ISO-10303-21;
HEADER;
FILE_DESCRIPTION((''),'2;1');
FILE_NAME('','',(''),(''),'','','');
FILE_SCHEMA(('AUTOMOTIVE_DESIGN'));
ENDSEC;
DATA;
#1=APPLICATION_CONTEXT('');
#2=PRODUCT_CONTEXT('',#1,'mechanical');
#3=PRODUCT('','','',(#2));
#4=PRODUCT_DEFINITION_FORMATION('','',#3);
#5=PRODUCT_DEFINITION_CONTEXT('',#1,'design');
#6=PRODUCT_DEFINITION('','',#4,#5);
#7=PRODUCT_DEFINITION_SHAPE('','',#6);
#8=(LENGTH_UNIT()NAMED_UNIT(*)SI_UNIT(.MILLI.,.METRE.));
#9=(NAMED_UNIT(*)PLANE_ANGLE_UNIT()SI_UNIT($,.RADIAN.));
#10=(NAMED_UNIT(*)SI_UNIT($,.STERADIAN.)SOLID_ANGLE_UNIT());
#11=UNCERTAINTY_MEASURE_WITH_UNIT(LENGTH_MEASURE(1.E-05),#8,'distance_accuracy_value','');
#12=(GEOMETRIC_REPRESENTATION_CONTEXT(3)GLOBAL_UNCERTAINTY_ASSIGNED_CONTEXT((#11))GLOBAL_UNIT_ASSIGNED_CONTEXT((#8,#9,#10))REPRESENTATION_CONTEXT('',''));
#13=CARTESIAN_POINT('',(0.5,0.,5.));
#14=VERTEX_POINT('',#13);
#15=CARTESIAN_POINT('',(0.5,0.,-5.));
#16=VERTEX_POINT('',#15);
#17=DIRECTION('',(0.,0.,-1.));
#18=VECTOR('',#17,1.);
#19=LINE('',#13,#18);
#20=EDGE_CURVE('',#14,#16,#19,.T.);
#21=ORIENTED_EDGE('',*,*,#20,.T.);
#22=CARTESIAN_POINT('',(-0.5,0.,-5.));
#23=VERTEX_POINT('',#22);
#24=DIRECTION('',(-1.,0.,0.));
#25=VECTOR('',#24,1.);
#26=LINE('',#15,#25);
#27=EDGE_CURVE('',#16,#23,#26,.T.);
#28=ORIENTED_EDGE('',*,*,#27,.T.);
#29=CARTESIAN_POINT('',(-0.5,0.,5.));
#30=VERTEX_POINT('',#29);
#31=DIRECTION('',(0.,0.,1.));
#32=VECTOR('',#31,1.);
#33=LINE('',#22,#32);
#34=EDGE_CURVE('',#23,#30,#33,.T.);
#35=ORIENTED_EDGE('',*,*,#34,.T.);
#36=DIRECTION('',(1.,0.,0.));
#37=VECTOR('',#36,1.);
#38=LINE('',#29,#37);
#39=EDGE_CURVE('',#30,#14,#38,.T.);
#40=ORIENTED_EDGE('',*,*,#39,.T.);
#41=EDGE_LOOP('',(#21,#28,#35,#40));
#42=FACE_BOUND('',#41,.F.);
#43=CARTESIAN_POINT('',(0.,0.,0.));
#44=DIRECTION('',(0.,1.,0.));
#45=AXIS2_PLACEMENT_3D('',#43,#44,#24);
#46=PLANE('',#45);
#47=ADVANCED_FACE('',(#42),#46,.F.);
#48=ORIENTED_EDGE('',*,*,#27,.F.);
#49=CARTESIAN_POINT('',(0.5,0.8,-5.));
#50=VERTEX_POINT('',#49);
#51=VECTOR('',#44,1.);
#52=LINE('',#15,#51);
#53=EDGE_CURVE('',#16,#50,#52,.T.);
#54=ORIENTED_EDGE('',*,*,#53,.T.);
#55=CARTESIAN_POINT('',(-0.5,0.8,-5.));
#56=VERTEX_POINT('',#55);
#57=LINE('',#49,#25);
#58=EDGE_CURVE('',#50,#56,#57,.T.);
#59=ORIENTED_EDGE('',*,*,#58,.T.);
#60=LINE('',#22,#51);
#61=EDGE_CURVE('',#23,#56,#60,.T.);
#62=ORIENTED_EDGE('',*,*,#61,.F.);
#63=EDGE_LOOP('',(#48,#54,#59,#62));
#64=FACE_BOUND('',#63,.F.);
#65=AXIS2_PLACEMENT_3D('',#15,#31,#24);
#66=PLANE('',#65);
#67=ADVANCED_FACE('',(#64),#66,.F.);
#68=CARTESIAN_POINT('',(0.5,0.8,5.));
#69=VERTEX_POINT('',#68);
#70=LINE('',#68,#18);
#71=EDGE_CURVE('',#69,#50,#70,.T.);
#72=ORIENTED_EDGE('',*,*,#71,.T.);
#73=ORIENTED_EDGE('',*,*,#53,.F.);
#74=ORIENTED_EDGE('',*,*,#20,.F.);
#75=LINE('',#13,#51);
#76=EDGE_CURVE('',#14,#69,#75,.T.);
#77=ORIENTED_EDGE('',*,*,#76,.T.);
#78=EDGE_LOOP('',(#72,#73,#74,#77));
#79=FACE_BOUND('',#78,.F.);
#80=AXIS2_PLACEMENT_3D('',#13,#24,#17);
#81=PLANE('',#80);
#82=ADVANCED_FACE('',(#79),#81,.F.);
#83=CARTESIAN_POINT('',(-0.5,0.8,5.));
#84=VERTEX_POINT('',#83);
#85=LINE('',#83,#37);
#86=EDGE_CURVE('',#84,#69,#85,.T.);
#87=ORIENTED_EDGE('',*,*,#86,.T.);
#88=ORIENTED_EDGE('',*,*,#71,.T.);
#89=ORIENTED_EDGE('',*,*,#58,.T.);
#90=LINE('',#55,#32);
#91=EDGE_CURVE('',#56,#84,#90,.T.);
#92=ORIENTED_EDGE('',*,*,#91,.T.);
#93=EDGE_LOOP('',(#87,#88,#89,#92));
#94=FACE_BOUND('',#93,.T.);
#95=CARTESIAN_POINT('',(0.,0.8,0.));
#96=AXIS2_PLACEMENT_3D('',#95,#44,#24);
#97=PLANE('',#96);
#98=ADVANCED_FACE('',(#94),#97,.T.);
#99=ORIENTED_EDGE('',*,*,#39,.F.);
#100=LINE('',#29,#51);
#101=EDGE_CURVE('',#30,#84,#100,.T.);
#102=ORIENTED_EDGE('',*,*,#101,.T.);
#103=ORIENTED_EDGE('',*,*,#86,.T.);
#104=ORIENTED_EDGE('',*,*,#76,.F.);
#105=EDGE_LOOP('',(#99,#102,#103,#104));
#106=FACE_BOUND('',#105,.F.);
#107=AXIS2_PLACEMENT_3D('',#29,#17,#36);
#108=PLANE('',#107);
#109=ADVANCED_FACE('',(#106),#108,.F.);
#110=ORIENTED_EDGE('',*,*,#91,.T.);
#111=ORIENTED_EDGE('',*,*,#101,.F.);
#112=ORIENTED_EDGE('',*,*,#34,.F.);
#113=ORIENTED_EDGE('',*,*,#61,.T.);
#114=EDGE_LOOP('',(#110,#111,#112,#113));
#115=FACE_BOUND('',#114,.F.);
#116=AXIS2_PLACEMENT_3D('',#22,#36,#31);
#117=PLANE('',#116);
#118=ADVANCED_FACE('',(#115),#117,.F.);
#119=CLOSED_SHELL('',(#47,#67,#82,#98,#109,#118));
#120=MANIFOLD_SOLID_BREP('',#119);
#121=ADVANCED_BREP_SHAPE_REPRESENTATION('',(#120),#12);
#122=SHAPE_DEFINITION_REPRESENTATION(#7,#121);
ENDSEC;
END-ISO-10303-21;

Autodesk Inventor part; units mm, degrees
ref_plane "YZ Plane" through (0, 0, 0) normal (1, 0, 0) x (0, 1, 0)
ref_plane "XZ Plane" through (0, 0, 0) normal (0, 1, 0) x (-1, 0, 0)
ref_plane "XY Plane" through (0, 0, 0) normal (0, 0, 1) x (1, 0, 0)
sketch "Sketch1" plane through (0, 0, 0) normal (0, 1, 0) x (-1, 0, 0)
  line L0 (0.5, 5) -> (-0.5, 5)
  line L1 (-0.5, 5) -> (-0.5, -5)
  line L2 (-0.5, -5) -> (0.5, -5)
  line L3 (0.5, -5) -> (0.5, 5)
  line L4 (0.5, 5) -> (-0.5, -5) construction
  line L5 (-0.5, 5) -> (0.5, -5) construction
  point P0 (0, 0)
  dimension "d0" = 1
  dimension "d1" = 10
extrude "Extrusion1" add sketch "Sketch1" along normal blind 0.8
properties part number "sample"
